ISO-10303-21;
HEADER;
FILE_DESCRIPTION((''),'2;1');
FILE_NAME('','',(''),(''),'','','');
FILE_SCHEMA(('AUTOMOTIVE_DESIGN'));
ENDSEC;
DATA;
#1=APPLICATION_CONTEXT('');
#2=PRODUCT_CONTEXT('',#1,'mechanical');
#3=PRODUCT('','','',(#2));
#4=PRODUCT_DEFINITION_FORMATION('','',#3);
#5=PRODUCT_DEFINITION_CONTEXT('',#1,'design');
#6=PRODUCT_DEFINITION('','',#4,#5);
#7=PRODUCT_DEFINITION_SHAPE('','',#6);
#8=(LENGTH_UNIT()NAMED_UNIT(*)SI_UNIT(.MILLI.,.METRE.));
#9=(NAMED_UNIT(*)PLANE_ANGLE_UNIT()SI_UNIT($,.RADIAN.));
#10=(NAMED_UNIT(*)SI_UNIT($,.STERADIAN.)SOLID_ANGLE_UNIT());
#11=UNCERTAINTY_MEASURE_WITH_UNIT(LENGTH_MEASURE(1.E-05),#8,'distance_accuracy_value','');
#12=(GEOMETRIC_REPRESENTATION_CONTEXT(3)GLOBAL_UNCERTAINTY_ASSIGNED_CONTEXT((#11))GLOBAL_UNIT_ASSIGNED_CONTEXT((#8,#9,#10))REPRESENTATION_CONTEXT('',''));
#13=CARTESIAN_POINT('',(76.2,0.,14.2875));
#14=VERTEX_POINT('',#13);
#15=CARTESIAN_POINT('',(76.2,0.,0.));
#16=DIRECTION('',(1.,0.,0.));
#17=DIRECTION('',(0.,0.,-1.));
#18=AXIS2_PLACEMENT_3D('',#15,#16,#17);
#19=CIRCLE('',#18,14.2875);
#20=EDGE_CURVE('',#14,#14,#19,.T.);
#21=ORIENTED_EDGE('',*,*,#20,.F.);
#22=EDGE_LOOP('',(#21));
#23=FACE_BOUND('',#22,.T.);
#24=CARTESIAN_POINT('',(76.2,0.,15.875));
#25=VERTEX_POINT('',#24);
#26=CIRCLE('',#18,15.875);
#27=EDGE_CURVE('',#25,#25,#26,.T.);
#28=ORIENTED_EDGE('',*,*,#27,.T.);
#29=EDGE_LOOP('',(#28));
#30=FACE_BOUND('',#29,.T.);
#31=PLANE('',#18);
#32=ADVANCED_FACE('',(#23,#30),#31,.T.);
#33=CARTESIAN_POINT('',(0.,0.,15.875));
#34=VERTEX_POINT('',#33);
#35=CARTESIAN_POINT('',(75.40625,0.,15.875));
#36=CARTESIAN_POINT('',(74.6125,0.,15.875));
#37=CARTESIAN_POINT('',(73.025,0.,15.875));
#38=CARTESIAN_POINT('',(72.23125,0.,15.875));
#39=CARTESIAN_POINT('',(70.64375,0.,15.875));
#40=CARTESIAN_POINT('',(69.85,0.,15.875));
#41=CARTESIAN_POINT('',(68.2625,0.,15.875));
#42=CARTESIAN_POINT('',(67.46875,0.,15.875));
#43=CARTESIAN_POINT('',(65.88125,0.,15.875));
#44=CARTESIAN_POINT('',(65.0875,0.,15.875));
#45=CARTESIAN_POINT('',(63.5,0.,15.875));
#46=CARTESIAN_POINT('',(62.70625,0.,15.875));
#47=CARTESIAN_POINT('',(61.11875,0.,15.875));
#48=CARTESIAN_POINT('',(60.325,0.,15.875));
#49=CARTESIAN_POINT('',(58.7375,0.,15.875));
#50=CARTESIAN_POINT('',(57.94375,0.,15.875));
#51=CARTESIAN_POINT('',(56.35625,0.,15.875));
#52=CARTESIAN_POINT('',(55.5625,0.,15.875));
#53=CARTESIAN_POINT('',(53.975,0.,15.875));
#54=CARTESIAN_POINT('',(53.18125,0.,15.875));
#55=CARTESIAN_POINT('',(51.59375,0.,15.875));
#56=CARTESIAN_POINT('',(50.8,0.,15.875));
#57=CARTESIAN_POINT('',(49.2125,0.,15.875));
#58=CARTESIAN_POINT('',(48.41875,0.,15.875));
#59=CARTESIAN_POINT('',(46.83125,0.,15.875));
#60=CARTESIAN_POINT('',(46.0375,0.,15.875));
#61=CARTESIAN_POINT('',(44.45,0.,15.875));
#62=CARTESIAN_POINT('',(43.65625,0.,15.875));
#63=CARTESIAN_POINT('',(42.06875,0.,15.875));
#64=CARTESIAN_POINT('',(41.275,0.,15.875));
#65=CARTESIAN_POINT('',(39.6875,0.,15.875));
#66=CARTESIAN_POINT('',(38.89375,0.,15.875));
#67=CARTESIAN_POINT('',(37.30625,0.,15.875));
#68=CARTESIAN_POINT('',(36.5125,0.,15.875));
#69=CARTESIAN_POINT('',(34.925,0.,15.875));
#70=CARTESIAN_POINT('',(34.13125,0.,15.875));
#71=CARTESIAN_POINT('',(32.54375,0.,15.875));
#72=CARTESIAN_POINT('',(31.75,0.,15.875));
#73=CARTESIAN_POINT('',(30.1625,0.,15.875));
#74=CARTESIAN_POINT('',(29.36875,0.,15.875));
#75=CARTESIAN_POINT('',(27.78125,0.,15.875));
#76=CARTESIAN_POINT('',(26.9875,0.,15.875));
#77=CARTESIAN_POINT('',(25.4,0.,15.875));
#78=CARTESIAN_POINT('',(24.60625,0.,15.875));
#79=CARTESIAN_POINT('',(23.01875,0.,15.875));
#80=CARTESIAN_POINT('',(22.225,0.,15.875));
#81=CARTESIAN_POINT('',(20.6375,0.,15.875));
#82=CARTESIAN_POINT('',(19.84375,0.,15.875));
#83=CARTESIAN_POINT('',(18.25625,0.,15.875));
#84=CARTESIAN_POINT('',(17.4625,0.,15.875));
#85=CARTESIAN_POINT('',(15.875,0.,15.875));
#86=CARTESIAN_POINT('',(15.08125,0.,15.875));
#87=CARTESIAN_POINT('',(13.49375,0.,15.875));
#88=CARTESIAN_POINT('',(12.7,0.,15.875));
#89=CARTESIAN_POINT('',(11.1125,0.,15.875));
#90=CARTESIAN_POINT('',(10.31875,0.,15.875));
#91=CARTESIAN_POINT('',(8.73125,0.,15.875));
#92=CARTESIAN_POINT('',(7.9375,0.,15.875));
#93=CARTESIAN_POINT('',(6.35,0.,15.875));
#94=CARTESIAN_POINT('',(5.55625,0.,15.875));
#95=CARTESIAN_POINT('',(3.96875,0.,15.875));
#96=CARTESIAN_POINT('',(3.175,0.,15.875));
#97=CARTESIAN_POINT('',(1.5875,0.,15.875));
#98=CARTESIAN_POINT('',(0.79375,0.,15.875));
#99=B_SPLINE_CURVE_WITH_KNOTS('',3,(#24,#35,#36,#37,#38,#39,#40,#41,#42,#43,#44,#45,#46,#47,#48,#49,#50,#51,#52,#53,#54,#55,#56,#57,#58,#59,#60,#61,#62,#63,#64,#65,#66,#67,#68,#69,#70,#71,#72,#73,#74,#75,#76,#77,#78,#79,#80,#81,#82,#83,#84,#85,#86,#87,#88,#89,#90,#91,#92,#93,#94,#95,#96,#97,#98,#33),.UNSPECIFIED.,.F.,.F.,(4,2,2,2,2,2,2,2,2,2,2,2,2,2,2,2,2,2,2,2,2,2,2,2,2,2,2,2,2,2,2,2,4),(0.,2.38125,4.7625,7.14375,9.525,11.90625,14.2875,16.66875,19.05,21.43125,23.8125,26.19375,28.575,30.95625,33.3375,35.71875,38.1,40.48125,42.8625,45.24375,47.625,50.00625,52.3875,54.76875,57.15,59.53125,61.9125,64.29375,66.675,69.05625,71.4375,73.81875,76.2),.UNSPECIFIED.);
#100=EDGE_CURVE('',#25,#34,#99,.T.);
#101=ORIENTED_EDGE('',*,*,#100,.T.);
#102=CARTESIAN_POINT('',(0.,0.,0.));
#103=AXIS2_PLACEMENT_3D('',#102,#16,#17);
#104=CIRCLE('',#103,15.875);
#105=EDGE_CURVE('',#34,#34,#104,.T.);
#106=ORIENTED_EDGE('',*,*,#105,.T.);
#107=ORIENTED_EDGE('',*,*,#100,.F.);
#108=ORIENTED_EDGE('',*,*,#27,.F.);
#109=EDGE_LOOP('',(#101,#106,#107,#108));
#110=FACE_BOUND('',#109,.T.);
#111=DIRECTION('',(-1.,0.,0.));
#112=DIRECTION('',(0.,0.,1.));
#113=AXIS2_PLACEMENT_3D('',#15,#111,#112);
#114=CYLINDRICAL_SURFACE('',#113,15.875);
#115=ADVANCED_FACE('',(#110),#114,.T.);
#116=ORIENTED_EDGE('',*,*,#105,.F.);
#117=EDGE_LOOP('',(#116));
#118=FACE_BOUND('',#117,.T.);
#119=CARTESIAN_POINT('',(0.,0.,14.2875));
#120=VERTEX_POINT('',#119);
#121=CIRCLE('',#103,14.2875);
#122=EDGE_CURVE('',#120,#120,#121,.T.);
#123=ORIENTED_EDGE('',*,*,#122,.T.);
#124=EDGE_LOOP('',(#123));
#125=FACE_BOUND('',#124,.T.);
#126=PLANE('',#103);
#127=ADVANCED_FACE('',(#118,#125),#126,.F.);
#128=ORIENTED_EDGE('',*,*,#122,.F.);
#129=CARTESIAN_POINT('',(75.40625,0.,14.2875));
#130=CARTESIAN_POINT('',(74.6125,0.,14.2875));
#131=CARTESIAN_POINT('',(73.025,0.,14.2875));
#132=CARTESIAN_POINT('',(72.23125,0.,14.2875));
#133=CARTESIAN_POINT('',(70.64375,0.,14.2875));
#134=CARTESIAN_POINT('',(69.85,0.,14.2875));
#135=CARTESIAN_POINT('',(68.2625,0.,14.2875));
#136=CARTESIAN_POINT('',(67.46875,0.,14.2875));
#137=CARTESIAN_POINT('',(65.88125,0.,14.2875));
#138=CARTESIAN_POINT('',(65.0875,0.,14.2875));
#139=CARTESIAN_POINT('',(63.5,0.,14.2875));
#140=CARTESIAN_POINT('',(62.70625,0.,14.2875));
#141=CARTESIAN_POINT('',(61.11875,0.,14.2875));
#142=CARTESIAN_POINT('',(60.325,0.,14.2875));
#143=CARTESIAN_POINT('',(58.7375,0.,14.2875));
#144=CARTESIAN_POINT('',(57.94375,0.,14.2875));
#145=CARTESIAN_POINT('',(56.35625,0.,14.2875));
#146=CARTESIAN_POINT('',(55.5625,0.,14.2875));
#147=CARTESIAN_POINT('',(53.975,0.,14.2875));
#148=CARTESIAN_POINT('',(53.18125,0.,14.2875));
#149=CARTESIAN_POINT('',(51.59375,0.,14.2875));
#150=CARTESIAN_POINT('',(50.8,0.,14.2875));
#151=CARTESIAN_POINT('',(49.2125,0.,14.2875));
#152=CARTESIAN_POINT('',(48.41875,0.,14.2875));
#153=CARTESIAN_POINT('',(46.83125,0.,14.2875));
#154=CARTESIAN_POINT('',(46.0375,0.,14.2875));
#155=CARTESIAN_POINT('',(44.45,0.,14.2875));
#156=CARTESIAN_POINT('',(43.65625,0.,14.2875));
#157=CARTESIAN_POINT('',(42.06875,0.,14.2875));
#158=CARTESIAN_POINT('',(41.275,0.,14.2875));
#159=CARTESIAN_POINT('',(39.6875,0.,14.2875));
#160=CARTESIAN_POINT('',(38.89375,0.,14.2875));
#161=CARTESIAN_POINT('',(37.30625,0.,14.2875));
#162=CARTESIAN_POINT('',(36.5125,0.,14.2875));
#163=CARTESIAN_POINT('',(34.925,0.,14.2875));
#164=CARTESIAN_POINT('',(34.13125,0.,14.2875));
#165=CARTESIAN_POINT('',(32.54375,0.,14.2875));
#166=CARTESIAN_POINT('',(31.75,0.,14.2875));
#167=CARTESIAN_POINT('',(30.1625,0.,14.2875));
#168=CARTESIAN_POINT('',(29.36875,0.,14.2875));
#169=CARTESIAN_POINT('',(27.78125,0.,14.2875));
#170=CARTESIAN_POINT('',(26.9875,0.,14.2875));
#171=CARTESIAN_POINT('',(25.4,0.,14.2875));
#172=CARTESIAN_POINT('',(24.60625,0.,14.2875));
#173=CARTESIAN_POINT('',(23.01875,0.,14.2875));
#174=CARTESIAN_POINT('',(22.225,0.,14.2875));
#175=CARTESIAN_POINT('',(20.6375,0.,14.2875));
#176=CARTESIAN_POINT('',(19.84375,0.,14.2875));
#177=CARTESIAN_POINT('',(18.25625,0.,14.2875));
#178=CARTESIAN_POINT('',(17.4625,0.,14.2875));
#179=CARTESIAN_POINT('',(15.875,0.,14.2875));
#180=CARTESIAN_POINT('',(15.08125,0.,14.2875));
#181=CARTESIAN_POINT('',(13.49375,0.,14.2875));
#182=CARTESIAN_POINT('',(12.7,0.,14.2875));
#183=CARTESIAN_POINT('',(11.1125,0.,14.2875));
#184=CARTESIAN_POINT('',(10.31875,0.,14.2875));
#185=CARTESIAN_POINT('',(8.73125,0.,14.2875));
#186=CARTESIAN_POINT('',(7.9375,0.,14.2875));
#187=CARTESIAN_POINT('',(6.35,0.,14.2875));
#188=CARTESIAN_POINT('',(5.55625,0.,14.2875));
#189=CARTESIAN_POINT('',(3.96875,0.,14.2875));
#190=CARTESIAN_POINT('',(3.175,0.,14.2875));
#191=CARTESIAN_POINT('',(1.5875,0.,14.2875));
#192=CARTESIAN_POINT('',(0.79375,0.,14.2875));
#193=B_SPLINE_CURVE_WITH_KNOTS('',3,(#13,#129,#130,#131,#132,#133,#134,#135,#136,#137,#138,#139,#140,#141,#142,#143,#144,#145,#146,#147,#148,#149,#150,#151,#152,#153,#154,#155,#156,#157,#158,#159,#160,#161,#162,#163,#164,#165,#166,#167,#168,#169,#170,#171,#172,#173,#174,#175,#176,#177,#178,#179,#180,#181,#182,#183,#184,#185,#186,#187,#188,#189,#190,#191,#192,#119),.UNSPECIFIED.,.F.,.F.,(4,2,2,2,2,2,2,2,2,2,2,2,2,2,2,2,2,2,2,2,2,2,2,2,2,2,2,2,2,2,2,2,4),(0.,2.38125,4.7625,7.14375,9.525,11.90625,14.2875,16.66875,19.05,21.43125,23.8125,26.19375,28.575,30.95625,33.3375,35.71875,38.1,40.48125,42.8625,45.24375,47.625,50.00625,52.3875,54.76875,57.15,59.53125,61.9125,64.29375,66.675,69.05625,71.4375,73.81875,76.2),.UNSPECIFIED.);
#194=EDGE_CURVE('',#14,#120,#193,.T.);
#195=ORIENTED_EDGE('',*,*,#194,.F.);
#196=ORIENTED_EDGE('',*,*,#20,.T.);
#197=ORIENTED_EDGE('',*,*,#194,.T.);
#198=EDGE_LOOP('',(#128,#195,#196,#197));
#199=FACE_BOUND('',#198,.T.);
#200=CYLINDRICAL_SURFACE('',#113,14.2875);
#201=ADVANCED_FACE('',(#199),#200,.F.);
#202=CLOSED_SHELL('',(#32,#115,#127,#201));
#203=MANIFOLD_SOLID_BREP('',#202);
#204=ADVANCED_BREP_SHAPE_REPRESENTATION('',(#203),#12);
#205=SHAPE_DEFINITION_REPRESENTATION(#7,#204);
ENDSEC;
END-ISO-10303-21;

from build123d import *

# Parameters (mm, degrees)
SKETCH1_R          = 15.875
SKETCH1_R_2        = 14.2875
BASE_EXTRUDE_DEPTH = 76.2


with BuildPart() as part:
    # Sketch1 → Base-Extrude (new body)
    with BuildSketch(Plane(origin=(0, 0, 0), x_dir=(0, 0, -1), z_dir=(1, 0, 0))):
        with Locations(Location((0, 0, 0), (0, 0, 180))):
            Circle(SKETCH1_R)
        with Locations(Location((0, 0, 0), (0, 0, 180))):
            Circle(SKETCH1_R_2, mode=Mode.SUBTRACT)
    extrude(amount=BASE_EXTRUDE_DEPTH)


solid = part.part
